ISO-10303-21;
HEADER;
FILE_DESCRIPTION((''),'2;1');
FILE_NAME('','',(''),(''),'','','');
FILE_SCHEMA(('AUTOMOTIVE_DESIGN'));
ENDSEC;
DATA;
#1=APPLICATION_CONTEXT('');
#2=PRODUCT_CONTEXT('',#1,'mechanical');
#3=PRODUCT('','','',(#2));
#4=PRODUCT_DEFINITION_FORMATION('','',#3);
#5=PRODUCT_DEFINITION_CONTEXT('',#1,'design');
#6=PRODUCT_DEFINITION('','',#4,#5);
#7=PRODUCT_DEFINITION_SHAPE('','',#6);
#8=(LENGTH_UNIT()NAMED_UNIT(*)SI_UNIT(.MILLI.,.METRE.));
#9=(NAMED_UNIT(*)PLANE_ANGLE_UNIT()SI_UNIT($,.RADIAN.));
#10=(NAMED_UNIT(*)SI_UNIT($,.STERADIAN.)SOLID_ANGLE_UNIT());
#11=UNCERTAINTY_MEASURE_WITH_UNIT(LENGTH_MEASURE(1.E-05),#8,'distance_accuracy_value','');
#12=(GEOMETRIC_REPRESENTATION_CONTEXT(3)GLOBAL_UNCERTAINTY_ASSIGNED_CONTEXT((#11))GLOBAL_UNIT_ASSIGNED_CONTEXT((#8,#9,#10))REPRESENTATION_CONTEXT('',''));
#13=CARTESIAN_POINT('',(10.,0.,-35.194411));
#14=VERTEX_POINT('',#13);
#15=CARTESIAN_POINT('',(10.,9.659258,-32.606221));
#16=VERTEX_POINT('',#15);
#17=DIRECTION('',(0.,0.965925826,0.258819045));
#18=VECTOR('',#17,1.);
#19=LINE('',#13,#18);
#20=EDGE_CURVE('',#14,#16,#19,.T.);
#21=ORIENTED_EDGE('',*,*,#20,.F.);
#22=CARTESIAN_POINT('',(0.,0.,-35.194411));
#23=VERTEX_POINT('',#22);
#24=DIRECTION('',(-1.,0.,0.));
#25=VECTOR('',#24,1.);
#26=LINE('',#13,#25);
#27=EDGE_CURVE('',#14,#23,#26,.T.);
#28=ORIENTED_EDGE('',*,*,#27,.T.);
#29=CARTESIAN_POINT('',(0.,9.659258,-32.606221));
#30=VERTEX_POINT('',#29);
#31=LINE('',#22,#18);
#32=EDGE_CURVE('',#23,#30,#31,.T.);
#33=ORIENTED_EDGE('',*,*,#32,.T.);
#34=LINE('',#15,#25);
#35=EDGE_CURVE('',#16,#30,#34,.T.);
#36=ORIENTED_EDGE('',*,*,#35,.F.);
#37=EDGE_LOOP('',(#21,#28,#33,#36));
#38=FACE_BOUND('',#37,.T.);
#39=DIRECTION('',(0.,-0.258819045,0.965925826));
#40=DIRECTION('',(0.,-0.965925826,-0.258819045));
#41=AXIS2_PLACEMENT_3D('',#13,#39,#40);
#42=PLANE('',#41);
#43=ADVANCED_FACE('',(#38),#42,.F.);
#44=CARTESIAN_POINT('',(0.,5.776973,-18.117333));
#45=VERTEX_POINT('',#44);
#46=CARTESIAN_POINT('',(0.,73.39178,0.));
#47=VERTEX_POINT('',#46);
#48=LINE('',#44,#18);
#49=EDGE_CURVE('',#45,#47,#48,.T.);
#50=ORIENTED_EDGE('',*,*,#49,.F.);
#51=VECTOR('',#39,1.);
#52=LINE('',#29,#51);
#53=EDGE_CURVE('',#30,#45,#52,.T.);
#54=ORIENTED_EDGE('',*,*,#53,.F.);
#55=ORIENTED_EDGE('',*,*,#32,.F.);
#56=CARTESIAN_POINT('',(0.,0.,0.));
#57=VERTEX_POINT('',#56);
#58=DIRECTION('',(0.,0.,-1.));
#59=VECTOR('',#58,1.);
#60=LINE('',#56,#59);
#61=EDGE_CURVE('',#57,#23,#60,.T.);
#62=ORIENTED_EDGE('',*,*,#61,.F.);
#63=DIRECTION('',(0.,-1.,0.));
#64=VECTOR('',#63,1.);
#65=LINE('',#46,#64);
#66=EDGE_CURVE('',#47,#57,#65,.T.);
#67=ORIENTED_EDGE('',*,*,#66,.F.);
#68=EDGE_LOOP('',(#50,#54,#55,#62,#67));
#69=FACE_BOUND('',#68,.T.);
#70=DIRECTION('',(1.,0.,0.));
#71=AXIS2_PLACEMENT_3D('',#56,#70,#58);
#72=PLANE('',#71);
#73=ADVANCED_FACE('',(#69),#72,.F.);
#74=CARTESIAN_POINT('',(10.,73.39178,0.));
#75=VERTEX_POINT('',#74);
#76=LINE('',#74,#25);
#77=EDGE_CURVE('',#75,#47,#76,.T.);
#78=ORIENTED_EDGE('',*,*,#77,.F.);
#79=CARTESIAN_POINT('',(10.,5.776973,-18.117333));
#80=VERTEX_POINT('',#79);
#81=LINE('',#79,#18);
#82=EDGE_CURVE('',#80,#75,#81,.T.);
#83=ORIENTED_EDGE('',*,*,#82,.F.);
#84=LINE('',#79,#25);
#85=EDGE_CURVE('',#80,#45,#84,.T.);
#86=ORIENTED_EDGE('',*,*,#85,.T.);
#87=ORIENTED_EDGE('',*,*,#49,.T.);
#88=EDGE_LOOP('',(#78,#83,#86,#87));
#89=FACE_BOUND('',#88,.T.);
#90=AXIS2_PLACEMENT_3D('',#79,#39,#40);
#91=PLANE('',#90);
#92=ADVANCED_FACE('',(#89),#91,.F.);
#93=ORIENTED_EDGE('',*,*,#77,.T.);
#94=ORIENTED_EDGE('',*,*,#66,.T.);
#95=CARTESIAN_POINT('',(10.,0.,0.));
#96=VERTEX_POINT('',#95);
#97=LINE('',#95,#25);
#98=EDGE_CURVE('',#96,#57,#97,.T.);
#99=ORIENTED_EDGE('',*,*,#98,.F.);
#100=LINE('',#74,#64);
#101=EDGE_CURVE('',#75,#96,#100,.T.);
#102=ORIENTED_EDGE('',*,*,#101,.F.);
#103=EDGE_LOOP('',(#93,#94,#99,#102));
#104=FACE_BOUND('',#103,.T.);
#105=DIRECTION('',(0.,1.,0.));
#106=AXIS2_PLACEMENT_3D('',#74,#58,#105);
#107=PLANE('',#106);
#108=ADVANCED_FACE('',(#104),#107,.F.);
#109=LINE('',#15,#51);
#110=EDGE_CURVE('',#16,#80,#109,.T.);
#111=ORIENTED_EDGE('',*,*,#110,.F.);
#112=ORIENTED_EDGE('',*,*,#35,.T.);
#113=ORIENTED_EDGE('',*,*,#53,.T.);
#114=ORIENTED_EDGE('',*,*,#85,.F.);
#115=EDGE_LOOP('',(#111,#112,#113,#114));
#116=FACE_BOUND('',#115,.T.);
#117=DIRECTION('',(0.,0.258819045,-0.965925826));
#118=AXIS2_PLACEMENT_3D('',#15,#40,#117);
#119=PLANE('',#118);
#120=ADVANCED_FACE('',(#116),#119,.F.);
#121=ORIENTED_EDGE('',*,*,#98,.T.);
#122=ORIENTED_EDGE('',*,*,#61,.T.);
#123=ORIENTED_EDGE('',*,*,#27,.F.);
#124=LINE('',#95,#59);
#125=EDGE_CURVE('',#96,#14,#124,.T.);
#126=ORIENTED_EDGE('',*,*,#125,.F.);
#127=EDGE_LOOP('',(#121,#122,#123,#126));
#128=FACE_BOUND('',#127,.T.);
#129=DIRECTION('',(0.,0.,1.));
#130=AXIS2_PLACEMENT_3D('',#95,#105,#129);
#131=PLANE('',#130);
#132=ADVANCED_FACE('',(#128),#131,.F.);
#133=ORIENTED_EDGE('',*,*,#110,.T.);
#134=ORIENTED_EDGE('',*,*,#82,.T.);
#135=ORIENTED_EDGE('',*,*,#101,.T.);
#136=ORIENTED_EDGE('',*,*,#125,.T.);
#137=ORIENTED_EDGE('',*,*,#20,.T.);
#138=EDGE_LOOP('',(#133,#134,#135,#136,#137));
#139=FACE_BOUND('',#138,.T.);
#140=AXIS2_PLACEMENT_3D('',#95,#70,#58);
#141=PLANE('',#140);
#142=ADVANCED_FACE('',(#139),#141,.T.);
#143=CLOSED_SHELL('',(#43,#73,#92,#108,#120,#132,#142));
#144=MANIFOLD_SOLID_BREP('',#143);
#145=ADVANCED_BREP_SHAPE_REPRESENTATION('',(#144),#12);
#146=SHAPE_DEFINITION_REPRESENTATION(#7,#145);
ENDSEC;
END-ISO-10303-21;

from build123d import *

# Parameters (mm, degrees)
BOSS_EXTRU_1_DEPTH = 10


with BuildPart() as part:
    # Esquisse1 → Boss.-Extru.1 (new body)
    with BuildSketch(Plane(origin=(0, 0, 0), x_dir=(0, 0, -1), z_dir=(1, 0, 0))):
        Polygon((0, 0), (35.194411003, 0), (32.606220552, 9.659258263), (18.117333157, 5.776972586), (0, 73.391780427), align=None)
    extrude(amount=BOSS_EXTRU_1_DEPTH)


solid = part.part
